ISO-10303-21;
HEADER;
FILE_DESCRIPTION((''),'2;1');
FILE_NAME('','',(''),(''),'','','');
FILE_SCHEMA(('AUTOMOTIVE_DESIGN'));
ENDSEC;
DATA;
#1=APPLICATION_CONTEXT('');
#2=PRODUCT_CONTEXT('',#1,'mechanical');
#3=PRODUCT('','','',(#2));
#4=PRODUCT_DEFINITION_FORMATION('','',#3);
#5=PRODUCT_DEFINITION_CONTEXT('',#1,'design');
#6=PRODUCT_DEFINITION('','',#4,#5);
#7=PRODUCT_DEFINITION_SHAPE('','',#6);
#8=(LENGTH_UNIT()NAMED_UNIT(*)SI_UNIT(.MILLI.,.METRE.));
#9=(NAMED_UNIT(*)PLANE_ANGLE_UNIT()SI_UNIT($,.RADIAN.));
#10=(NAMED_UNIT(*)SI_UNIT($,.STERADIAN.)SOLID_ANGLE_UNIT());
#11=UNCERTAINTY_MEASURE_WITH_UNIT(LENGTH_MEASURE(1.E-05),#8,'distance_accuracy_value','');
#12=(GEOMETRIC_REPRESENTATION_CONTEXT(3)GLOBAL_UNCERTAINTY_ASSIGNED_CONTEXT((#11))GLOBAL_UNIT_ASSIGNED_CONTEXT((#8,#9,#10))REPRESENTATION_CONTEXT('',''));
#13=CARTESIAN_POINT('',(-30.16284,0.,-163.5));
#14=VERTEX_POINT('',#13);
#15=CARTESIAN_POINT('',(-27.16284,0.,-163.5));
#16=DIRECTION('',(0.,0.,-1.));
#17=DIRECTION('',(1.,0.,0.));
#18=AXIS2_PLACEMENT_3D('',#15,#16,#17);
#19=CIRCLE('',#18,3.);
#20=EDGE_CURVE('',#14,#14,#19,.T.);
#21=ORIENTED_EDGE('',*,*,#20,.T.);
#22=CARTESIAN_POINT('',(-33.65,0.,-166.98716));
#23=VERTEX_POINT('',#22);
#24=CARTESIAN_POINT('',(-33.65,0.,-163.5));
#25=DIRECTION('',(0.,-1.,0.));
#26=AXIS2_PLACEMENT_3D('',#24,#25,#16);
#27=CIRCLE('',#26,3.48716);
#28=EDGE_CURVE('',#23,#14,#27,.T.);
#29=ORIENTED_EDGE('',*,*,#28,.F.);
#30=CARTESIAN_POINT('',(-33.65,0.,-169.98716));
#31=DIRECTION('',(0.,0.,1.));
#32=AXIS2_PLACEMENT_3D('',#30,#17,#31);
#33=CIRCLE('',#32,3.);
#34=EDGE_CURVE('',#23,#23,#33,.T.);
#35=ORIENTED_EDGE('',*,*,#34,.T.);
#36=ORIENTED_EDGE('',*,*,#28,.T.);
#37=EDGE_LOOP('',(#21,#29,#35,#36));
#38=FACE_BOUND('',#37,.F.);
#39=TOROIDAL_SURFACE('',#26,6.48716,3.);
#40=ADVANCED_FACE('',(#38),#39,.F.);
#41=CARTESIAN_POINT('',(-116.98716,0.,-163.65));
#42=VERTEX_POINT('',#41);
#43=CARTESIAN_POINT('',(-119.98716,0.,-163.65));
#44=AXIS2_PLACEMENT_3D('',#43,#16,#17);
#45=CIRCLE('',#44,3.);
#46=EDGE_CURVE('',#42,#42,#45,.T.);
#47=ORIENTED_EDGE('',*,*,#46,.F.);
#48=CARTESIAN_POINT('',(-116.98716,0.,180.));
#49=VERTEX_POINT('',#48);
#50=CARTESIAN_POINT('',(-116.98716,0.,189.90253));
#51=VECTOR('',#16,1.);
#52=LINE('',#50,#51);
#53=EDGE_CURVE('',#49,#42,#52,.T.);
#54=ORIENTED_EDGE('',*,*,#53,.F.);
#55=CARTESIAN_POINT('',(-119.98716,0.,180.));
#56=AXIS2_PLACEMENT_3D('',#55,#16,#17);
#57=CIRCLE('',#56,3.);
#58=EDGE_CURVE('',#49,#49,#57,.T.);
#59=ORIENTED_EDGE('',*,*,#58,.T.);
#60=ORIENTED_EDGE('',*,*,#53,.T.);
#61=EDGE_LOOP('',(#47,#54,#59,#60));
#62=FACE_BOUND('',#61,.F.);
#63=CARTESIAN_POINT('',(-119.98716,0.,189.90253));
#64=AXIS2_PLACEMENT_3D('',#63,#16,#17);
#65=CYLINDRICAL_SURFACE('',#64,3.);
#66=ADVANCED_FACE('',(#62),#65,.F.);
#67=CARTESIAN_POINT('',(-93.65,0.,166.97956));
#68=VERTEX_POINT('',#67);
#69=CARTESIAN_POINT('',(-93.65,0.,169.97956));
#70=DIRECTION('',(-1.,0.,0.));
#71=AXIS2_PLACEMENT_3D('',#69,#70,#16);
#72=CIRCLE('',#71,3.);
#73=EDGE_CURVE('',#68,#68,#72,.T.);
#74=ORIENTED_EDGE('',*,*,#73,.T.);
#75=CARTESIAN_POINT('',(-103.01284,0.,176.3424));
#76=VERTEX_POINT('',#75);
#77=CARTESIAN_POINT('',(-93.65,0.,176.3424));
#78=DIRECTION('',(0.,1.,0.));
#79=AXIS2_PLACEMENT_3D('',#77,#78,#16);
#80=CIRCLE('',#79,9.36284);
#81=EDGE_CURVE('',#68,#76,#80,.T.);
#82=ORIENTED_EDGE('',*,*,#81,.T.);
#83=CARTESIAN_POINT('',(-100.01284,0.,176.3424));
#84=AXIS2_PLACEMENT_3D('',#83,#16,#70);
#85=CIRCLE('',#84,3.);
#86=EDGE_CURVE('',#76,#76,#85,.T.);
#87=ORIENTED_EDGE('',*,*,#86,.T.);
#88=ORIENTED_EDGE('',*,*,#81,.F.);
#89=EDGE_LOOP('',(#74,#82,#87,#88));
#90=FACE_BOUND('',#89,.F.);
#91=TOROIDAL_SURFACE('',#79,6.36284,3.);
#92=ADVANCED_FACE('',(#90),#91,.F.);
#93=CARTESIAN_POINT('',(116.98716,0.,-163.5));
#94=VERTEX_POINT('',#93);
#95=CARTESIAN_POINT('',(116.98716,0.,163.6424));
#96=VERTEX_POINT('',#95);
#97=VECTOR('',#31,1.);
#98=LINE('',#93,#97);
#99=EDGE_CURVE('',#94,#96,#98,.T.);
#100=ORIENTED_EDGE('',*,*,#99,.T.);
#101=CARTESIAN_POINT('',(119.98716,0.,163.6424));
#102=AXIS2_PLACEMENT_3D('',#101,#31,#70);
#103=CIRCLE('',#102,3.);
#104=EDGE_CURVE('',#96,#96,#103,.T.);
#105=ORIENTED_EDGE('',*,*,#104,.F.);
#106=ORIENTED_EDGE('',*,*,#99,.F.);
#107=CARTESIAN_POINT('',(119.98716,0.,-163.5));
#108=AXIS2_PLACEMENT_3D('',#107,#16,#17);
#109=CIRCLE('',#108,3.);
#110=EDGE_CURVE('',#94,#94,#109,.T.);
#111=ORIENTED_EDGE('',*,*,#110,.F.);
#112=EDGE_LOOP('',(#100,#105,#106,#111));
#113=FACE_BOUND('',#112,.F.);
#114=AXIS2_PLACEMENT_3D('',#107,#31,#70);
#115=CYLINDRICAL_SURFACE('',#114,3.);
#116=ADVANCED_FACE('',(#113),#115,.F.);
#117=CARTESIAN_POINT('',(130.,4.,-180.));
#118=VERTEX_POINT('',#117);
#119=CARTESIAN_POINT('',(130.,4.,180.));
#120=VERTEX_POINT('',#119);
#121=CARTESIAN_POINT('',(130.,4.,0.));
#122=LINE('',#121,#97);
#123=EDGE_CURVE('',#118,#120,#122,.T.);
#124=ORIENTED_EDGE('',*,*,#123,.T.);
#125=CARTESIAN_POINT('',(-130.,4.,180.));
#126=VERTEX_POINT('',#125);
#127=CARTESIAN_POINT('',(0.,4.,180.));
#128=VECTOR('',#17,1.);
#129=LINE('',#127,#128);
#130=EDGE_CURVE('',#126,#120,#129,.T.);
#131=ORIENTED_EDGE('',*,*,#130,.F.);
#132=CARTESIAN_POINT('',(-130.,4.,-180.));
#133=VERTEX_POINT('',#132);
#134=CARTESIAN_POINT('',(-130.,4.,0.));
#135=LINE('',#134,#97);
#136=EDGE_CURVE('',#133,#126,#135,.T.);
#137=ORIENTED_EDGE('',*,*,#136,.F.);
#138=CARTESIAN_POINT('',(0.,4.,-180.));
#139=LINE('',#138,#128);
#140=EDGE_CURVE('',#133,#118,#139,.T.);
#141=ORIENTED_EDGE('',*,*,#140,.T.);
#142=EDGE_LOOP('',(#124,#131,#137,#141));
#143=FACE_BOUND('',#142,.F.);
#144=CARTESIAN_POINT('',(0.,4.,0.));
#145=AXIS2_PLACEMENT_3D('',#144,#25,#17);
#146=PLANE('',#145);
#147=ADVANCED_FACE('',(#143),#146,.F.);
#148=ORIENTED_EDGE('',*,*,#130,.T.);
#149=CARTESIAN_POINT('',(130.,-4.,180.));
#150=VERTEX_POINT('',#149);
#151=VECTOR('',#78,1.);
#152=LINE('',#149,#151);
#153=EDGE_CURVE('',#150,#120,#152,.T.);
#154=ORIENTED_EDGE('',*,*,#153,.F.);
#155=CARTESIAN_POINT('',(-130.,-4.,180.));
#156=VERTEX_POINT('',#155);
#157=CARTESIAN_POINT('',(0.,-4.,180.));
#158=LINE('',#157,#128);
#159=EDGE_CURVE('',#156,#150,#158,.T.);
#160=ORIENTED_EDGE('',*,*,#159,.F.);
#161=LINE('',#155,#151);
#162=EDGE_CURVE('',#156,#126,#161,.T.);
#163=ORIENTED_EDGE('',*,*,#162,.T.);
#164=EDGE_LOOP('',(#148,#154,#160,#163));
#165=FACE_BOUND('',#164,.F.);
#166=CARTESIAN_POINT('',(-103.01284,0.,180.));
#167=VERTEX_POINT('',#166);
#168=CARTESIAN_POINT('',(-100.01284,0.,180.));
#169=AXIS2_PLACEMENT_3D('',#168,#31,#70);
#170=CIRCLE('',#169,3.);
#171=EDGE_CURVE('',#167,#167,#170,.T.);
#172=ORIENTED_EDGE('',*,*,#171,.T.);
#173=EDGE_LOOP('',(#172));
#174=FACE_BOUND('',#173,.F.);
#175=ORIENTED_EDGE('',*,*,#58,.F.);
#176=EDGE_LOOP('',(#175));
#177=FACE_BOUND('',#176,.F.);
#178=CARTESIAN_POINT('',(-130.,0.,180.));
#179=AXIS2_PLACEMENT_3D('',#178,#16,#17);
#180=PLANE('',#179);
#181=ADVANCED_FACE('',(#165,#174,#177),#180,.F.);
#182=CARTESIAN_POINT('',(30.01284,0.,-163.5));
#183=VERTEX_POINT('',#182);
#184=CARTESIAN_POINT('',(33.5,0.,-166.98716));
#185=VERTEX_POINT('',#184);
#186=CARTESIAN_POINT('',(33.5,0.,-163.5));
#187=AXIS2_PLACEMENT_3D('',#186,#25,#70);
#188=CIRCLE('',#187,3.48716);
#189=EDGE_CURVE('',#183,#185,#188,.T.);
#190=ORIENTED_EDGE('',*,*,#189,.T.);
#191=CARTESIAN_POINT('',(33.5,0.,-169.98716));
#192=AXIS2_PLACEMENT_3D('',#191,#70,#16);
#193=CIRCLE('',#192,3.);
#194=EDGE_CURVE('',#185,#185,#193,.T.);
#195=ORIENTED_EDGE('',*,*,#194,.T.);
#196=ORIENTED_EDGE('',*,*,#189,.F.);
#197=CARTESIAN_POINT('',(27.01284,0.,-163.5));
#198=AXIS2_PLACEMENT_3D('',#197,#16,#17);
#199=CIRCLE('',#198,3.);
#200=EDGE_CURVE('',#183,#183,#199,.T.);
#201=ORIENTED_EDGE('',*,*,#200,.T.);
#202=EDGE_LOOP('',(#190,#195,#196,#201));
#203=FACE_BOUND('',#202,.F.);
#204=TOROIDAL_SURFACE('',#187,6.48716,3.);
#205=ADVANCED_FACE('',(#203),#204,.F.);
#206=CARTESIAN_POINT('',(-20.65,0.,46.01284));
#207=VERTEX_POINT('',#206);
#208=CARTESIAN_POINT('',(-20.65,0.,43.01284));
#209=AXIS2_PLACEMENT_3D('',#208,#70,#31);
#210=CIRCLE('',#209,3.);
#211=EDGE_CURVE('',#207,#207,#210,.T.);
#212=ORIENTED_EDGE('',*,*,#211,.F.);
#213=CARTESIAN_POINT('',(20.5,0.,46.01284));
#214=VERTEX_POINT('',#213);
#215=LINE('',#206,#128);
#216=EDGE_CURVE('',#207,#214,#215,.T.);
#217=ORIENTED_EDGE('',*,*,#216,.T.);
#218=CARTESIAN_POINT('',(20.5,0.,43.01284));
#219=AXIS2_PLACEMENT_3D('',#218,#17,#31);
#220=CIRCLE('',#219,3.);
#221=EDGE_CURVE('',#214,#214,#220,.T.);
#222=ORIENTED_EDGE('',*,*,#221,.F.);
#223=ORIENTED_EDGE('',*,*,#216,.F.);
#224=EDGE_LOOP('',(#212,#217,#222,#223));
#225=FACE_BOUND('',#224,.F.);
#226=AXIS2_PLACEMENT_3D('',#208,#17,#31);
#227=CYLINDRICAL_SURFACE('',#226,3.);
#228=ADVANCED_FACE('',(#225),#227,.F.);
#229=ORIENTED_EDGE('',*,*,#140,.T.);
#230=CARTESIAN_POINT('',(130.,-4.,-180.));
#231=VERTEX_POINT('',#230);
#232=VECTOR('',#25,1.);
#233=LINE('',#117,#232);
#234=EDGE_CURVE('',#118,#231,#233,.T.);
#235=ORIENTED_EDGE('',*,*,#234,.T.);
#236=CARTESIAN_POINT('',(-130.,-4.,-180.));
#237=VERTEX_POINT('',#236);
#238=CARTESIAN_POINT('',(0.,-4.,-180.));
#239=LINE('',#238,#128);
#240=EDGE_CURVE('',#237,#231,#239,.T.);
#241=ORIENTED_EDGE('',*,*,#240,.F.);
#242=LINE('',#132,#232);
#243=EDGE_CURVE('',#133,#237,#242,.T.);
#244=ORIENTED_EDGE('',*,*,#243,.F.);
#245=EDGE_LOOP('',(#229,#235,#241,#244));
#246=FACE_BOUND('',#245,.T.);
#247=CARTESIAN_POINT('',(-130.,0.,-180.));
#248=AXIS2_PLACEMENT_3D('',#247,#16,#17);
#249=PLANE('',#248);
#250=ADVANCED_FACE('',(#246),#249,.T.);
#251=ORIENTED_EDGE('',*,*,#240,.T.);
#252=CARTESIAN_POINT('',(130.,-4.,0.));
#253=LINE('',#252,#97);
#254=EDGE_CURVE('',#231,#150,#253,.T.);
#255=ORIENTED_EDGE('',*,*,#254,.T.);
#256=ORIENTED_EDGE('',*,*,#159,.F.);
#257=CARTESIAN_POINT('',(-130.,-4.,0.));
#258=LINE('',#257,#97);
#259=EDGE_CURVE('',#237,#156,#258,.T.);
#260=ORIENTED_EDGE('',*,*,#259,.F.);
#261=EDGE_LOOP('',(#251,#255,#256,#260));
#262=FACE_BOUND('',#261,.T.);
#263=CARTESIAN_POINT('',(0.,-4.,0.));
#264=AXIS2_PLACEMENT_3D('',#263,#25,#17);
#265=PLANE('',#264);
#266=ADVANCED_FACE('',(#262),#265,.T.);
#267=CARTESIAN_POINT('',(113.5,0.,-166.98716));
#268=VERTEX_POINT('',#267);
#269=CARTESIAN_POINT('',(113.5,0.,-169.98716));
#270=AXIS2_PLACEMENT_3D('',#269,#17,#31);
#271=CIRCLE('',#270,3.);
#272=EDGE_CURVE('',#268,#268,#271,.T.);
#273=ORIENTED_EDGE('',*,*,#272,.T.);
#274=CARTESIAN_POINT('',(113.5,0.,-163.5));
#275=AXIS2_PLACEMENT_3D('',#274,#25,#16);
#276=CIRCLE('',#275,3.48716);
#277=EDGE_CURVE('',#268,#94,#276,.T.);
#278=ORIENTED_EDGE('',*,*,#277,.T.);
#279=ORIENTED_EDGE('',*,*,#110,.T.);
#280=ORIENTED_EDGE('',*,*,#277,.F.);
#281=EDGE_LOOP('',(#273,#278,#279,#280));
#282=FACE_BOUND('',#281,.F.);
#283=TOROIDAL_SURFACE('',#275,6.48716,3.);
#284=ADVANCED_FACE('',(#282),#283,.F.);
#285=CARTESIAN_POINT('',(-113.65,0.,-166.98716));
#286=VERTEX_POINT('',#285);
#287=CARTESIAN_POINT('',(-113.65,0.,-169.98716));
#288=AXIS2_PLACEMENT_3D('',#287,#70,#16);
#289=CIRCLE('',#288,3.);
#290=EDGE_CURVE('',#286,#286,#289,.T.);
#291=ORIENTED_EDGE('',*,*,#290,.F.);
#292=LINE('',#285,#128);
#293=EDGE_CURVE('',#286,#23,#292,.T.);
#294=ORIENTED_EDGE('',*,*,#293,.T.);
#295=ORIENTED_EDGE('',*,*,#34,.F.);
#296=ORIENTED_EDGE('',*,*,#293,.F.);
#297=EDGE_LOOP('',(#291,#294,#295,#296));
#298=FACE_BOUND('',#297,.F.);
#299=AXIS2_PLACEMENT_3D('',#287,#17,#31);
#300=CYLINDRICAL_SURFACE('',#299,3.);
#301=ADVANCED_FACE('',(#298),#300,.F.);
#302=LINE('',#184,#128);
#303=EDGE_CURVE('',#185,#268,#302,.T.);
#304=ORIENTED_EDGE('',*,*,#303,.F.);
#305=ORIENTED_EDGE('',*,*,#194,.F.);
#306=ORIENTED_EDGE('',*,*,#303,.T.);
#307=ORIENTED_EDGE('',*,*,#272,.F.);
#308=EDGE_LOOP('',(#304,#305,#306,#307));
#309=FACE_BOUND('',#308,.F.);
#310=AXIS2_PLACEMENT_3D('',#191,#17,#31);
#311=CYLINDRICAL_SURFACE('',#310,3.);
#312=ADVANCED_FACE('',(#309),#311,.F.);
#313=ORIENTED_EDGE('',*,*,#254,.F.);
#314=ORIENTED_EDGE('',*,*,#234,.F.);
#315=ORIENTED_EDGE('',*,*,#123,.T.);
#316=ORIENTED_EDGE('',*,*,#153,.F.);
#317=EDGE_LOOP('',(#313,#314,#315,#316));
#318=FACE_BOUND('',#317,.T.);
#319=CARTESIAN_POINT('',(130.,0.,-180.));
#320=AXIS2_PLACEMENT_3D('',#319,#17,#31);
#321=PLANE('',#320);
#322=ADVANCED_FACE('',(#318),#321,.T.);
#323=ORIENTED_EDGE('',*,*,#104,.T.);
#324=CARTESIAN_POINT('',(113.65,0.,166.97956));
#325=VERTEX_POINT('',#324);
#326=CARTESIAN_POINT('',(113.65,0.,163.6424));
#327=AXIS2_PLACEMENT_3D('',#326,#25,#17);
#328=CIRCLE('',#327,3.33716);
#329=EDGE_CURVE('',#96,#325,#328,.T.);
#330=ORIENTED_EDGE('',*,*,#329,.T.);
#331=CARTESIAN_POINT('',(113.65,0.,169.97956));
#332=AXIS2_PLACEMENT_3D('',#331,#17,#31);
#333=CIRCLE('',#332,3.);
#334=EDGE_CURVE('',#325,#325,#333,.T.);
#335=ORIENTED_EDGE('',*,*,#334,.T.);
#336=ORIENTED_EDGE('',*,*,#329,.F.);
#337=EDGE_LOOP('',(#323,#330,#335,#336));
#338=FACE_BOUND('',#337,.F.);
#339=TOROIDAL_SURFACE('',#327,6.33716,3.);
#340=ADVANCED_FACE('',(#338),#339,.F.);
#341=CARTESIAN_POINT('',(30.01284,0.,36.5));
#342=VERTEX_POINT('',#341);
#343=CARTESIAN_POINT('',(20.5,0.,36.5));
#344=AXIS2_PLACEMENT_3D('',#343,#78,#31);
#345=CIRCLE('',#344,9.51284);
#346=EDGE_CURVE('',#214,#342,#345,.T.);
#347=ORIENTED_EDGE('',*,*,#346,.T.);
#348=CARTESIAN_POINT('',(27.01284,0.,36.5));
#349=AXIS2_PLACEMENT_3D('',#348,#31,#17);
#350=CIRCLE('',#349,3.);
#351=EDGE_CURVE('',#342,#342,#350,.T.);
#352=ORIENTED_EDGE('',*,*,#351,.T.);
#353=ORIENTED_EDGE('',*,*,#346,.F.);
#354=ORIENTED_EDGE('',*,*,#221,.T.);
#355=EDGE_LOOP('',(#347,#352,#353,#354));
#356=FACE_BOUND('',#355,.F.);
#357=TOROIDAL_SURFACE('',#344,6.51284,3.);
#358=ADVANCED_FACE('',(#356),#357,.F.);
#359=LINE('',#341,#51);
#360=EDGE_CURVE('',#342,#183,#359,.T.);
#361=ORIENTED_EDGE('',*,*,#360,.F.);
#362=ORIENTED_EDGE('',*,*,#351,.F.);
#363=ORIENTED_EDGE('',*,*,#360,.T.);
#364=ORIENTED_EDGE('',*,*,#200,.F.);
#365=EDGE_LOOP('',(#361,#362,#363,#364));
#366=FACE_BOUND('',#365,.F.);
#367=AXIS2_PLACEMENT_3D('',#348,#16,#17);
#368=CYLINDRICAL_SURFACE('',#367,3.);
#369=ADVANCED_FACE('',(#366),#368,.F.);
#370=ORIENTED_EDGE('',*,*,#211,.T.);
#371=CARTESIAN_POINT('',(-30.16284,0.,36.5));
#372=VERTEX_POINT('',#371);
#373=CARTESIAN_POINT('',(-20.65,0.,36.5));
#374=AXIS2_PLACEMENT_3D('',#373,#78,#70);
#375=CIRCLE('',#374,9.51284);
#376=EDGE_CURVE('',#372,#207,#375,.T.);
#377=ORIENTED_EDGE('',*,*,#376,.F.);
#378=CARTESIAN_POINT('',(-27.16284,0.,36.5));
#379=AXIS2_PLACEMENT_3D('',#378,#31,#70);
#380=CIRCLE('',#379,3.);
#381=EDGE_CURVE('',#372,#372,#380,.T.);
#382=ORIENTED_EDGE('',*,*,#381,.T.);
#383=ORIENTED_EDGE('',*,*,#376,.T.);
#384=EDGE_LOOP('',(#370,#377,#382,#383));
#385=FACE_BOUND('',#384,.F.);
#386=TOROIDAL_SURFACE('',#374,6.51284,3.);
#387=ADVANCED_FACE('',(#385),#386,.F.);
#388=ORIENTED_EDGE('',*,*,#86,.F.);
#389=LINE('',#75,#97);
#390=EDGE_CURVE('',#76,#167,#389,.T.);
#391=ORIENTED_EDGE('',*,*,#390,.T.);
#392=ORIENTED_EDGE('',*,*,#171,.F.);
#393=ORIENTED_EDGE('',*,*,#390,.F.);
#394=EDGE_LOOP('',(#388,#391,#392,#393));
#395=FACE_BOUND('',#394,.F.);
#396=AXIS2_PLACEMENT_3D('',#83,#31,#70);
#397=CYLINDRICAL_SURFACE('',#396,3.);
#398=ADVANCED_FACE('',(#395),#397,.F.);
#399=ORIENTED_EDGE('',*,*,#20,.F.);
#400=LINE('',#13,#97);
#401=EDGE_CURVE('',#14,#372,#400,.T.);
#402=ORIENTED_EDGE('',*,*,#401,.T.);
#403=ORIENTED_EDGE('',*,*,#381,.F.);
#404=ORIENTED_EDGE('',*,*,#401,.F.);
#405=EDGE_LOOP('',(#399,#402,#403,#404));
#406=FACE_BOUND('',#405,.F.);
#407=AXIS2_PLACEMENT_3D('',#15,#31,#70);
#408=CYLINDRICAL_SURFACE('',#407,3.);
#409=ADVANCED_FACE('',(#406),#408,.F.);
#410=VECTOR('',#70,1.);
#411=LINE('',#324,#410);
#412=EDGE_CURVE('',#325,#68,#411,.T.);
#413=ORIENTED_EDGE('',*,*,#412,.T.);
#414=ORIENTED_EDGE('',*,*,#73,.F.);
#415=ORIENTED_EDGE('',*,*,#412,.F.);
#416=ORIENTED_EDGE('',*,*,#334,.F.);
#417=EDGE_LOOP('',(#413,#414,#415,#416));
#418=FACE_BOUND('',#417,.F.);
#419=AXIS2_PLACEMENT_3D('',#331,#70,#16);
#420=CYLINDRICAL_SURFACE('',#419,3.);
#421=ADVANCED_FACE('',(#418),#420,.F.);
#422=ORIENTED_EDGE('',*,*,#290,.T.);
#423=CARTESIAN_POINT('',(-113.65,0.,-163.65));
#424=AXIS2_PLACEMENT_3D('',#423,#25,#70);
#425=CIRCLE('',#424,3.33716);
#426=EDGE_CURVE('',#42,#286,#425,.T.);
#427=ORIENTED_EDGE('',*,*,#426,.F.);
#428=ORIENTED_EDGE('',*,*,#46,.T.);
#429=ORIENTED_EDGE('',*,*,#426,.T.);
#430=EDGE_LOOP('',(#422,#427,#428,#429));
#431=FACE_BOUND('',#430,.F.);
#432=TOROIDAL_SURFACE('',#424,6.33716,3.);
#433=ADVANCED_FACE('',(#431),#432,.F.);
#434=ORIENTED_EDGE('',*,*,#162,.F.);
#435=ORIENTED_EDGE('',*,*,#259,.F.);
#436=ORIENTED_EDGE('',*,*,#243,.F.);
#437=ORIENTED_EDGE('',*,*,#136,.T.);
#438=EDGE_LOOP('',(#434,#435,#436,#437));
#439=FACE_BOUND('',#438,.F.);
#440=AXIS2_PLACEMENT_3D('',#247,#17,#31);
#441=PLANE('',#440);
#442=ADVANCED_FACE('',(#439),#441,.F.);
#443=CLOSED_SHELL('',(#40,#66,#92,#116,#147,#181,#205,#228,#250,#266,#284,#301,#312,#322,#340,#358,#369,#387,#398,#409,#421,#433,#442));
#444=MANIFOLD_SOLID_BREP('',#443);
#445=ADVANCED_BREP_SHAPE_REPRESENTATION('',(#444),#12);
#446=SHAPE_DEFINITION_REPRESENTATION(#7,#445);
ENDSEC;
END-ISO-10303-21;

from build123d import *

# Parameters (mm, degrees)
F0_W     = 260
F0_H     = 360
F2_DEPTH = 4
F4_R     = 3


with BuildPart() as f2:
    # F0 (on Front) → F2 (new body, symmetric)
    with BuildSketch(Plane.XZ):
        Rectangle(F0_W, F0_H)
    extrude(amount=F2_DEPTH, both=True)

    # F5: sweep along a path in F1
    with BuildLine(Plane.XZ) as f5_path:
        Line((-120, 189.90253), (-120, -163.65))
        ThreePointArc((-120, -163.65), (-118.1401280605, -168.1401280605), (-113.65, -170))
        Line((-113.65, -170), (-33.65, -170))
        ThreePointArc((-33.65, -170), (-29.0538059223, -168.0961940777), (-27.15, -163.5))
        Line((-27.15, -163.5), (-27.15, 36.5))
        ThreePointArc((-27.15, 36.5), (-25.2461940777, 41.0961940777), (-20.65, 43))
        Line((-20.65, 43), (20.5, 43))
        ThreePointArc((20.5, 43), (25.0961940777, 41.0961940777), (27, 36.5))
        Line((27, 36.5), (27, -163.5))
        ThreePointArc((27, -163.5), (28.9038059223, -168.0961940777), (33.5, -170))
        Line((33.5, -170), (113.5, -170))
        ThreePointArc((113.5, -170), (118.0961940777, -168.0961940777), (120, -163.5))
        Line((120, -163.5), (120, 163.6424))
        ThreePointArc((120, 163.6424), (118.1401280605, 168.1325280605), (113.65, 169.9924))
        Line((113.65, 169.9924), (-93.65, 169.9924))
        ThreePointArc((-93.65, 169.9924), (-98.1401280605, 171.8522719395), (-100, 176.3424))
        Line((-100, 176.3424), (-100, 189.90253))
    # F4 (on plane+point) → F5 (sweep, cut)
    with BuildSketch(Plane.XY.offset(189.90253)):
        with Locations((-119.9871599674, 0)):
            Circle(F4_R)
    sweep(path=f5_path.line, mode=Mode.SUBTRACT)


solid = f2.part
